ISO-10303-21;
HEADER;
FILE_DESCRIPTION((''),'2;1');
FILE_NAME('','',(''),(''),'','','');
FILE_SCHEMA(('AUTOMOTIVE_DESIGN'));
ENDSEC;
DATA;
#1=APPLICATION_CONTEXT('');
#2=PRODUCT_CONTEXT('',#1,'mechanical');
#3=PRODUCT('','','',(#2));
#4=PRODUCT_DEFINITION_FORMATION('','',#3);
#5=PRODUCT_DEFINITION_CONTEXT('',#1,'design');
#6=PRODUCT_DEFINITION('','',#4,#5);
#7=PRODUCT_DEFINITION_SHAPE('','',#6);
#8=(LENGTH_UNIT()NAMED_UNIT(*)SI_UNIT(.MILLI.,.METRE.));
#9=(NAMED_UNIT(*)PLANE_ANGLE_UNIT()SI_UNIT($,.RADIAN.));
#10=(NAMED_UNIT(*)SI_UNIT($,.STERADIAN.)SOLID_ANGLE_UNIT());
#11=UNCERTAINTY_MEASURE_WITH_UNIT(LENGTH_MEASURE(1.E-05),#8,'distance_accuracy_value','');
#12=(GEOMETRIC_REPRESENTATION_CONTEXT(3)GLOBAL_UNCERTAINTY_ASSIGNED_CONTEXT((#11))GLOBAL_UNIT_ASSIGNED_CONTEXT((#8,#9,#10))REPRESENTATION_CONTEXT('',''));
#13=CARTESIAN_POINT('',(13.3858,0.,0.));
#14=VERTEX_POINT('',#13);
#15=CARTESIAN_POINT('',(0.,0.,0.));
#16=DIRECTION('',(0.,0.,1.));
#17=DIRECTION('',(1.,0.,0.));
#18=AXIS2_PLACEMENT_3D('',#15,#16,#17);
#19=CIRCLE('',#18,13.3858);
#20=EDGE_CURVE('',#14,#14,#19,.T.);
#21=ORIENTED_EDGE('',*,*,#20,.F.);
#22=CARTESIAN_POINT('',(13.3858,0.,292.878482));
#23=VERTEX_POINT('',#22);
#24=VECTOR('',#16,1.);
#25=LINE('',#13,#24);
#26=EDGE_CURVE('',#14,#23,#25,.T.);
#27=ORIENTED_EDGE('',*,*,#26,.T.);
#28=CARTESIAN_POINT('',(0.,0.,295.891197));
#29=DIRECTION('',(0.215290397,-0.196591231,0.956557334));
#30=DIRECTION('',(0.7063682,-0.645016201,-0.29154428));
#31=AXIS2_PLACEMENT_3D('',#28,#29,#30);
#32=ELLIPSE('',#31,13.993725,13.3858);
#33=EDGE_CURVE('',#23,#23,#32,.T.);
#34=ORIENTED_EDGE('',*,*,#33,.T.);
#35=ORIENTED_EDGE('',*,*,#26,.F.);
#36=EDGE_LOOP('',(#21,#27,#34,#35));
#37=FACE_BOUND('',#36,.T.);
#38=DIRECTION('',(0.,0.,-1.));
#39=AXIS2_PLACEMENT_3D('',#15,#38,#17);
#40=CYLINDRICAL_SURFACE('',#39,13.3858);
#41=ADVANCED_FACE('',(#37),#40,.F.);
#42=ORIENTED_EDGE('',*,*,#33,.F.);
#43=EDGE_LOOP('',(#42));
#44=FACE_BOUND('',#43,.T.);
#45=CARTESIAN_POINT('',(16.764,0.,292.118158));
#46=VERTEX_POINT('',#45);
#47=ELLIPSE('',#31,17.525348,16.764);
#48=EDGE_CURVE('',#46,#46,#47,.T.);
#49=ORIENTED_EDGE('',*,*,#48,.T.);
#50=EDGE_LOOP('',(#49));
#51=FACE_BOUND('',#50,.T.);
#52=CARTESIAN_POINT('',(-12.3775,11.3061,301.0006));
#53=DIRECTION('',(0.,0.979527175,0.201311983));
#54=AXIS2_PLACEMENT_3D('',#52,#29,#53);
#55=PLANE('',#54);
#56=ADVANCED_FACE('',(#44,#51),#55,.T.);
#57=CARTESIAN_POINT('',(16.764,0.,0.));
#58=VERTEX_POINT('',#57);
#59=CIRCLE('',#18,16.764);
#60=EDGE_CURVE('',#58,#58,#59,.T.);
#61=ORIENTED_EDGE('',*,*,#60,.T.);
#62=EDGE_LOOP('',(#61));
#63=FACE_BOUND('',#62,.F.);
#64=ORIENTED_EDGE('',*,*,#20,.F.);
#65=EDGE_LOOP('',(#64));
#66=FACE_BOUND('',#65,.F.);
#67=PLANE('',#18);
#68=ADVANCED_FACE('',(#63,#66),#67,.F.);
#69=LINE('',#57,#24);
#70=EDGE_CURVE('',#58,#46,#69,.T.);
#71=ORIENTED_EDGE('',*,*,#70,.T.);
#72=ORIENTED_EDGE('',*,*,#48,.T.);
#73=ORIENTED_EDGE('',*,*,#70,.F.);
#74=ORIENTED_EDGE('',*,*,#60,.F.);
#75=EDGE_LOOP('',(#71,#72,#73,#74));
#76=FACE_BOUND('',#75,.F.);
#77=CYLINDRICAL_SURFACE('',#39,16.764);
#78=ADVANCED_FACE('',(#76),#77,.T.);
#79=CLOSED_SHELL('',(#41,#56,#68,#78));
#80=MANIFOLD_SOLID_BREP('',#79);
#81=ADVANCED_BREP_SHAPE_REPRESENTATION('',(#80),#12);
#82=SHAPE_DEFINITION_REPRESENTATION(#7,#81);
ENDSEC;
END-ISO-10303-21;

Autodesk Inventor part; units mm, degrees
ref_plane "Start plane" through (0, 0, 0) normal (0, 0, 1) x (1, 0, 0)
ref_plane "End plane" through (0, 0, 303.1097) normal (0, 0, 1) x (1, 0, 0)
sketch "Sketch" plane through (0, 0, 0) normal (0, 0, 1) x (1, 0, 0)
  circle A0 centre (0, 0) radius 13.3858
  circle A1 centre (0, 0) radius 16.764
  dimension "d0" = 33.528
  dimension "d1" = 3.3782
extrude "Body" add sketch "Sketch" along normal up to surface (303.1097 mm away) from surface at 0
sketch "Sketch3" plane through (0, 0, 0) normal (0, 0, 1) x (1, 0, 0)
  line L0 (0, 0) -> (10, 0)
ref_plane "Work Plane3" through (0, 0, 0) normal (0, -1, 0) x (1, 0, 0)
sketch "Sketch4" plane through (0, 0, 0) normal (0, -1, 0) x (1, 0, 0)
  line L0 (-2, 0) -> (12, 0)
  line L1 (-2, 303.1097) -> (12, 303.1097)
  dimension "d7" = 303.1097
ref_plane "Work Plane4" through (-12.3775, 11.3061, 301.0006) normal (0.2153, -0.1966, 0.9566) x (0.9763, 0.0216, -0.2153)
split "Split1" plane through (-12.3775, 11.3061, 301.0006) removes the side toward (0.2153, -0.1966, 0.9566)
equation "\"d0\" = G_H"
equation "\"d1\" = G_T"
equation "\"d2\" = G_L"
equation "\"G_H\" = 33.528"
equation "\"G_T\" = 3.3782"
equation "\"G_L\" = 301.00062"
equation "\"G_OFFSET_START\" = 0"
equation "\"G_OFFSET_END\" = 7.21878"
equation "\"d5\" = G_OFFSET_END + B_L"
equation "\"B_L\" = 295.89095"
properties part number "ANSI - 1 x 0.133 - 11,933" material "Steel, Mild, Welded"
